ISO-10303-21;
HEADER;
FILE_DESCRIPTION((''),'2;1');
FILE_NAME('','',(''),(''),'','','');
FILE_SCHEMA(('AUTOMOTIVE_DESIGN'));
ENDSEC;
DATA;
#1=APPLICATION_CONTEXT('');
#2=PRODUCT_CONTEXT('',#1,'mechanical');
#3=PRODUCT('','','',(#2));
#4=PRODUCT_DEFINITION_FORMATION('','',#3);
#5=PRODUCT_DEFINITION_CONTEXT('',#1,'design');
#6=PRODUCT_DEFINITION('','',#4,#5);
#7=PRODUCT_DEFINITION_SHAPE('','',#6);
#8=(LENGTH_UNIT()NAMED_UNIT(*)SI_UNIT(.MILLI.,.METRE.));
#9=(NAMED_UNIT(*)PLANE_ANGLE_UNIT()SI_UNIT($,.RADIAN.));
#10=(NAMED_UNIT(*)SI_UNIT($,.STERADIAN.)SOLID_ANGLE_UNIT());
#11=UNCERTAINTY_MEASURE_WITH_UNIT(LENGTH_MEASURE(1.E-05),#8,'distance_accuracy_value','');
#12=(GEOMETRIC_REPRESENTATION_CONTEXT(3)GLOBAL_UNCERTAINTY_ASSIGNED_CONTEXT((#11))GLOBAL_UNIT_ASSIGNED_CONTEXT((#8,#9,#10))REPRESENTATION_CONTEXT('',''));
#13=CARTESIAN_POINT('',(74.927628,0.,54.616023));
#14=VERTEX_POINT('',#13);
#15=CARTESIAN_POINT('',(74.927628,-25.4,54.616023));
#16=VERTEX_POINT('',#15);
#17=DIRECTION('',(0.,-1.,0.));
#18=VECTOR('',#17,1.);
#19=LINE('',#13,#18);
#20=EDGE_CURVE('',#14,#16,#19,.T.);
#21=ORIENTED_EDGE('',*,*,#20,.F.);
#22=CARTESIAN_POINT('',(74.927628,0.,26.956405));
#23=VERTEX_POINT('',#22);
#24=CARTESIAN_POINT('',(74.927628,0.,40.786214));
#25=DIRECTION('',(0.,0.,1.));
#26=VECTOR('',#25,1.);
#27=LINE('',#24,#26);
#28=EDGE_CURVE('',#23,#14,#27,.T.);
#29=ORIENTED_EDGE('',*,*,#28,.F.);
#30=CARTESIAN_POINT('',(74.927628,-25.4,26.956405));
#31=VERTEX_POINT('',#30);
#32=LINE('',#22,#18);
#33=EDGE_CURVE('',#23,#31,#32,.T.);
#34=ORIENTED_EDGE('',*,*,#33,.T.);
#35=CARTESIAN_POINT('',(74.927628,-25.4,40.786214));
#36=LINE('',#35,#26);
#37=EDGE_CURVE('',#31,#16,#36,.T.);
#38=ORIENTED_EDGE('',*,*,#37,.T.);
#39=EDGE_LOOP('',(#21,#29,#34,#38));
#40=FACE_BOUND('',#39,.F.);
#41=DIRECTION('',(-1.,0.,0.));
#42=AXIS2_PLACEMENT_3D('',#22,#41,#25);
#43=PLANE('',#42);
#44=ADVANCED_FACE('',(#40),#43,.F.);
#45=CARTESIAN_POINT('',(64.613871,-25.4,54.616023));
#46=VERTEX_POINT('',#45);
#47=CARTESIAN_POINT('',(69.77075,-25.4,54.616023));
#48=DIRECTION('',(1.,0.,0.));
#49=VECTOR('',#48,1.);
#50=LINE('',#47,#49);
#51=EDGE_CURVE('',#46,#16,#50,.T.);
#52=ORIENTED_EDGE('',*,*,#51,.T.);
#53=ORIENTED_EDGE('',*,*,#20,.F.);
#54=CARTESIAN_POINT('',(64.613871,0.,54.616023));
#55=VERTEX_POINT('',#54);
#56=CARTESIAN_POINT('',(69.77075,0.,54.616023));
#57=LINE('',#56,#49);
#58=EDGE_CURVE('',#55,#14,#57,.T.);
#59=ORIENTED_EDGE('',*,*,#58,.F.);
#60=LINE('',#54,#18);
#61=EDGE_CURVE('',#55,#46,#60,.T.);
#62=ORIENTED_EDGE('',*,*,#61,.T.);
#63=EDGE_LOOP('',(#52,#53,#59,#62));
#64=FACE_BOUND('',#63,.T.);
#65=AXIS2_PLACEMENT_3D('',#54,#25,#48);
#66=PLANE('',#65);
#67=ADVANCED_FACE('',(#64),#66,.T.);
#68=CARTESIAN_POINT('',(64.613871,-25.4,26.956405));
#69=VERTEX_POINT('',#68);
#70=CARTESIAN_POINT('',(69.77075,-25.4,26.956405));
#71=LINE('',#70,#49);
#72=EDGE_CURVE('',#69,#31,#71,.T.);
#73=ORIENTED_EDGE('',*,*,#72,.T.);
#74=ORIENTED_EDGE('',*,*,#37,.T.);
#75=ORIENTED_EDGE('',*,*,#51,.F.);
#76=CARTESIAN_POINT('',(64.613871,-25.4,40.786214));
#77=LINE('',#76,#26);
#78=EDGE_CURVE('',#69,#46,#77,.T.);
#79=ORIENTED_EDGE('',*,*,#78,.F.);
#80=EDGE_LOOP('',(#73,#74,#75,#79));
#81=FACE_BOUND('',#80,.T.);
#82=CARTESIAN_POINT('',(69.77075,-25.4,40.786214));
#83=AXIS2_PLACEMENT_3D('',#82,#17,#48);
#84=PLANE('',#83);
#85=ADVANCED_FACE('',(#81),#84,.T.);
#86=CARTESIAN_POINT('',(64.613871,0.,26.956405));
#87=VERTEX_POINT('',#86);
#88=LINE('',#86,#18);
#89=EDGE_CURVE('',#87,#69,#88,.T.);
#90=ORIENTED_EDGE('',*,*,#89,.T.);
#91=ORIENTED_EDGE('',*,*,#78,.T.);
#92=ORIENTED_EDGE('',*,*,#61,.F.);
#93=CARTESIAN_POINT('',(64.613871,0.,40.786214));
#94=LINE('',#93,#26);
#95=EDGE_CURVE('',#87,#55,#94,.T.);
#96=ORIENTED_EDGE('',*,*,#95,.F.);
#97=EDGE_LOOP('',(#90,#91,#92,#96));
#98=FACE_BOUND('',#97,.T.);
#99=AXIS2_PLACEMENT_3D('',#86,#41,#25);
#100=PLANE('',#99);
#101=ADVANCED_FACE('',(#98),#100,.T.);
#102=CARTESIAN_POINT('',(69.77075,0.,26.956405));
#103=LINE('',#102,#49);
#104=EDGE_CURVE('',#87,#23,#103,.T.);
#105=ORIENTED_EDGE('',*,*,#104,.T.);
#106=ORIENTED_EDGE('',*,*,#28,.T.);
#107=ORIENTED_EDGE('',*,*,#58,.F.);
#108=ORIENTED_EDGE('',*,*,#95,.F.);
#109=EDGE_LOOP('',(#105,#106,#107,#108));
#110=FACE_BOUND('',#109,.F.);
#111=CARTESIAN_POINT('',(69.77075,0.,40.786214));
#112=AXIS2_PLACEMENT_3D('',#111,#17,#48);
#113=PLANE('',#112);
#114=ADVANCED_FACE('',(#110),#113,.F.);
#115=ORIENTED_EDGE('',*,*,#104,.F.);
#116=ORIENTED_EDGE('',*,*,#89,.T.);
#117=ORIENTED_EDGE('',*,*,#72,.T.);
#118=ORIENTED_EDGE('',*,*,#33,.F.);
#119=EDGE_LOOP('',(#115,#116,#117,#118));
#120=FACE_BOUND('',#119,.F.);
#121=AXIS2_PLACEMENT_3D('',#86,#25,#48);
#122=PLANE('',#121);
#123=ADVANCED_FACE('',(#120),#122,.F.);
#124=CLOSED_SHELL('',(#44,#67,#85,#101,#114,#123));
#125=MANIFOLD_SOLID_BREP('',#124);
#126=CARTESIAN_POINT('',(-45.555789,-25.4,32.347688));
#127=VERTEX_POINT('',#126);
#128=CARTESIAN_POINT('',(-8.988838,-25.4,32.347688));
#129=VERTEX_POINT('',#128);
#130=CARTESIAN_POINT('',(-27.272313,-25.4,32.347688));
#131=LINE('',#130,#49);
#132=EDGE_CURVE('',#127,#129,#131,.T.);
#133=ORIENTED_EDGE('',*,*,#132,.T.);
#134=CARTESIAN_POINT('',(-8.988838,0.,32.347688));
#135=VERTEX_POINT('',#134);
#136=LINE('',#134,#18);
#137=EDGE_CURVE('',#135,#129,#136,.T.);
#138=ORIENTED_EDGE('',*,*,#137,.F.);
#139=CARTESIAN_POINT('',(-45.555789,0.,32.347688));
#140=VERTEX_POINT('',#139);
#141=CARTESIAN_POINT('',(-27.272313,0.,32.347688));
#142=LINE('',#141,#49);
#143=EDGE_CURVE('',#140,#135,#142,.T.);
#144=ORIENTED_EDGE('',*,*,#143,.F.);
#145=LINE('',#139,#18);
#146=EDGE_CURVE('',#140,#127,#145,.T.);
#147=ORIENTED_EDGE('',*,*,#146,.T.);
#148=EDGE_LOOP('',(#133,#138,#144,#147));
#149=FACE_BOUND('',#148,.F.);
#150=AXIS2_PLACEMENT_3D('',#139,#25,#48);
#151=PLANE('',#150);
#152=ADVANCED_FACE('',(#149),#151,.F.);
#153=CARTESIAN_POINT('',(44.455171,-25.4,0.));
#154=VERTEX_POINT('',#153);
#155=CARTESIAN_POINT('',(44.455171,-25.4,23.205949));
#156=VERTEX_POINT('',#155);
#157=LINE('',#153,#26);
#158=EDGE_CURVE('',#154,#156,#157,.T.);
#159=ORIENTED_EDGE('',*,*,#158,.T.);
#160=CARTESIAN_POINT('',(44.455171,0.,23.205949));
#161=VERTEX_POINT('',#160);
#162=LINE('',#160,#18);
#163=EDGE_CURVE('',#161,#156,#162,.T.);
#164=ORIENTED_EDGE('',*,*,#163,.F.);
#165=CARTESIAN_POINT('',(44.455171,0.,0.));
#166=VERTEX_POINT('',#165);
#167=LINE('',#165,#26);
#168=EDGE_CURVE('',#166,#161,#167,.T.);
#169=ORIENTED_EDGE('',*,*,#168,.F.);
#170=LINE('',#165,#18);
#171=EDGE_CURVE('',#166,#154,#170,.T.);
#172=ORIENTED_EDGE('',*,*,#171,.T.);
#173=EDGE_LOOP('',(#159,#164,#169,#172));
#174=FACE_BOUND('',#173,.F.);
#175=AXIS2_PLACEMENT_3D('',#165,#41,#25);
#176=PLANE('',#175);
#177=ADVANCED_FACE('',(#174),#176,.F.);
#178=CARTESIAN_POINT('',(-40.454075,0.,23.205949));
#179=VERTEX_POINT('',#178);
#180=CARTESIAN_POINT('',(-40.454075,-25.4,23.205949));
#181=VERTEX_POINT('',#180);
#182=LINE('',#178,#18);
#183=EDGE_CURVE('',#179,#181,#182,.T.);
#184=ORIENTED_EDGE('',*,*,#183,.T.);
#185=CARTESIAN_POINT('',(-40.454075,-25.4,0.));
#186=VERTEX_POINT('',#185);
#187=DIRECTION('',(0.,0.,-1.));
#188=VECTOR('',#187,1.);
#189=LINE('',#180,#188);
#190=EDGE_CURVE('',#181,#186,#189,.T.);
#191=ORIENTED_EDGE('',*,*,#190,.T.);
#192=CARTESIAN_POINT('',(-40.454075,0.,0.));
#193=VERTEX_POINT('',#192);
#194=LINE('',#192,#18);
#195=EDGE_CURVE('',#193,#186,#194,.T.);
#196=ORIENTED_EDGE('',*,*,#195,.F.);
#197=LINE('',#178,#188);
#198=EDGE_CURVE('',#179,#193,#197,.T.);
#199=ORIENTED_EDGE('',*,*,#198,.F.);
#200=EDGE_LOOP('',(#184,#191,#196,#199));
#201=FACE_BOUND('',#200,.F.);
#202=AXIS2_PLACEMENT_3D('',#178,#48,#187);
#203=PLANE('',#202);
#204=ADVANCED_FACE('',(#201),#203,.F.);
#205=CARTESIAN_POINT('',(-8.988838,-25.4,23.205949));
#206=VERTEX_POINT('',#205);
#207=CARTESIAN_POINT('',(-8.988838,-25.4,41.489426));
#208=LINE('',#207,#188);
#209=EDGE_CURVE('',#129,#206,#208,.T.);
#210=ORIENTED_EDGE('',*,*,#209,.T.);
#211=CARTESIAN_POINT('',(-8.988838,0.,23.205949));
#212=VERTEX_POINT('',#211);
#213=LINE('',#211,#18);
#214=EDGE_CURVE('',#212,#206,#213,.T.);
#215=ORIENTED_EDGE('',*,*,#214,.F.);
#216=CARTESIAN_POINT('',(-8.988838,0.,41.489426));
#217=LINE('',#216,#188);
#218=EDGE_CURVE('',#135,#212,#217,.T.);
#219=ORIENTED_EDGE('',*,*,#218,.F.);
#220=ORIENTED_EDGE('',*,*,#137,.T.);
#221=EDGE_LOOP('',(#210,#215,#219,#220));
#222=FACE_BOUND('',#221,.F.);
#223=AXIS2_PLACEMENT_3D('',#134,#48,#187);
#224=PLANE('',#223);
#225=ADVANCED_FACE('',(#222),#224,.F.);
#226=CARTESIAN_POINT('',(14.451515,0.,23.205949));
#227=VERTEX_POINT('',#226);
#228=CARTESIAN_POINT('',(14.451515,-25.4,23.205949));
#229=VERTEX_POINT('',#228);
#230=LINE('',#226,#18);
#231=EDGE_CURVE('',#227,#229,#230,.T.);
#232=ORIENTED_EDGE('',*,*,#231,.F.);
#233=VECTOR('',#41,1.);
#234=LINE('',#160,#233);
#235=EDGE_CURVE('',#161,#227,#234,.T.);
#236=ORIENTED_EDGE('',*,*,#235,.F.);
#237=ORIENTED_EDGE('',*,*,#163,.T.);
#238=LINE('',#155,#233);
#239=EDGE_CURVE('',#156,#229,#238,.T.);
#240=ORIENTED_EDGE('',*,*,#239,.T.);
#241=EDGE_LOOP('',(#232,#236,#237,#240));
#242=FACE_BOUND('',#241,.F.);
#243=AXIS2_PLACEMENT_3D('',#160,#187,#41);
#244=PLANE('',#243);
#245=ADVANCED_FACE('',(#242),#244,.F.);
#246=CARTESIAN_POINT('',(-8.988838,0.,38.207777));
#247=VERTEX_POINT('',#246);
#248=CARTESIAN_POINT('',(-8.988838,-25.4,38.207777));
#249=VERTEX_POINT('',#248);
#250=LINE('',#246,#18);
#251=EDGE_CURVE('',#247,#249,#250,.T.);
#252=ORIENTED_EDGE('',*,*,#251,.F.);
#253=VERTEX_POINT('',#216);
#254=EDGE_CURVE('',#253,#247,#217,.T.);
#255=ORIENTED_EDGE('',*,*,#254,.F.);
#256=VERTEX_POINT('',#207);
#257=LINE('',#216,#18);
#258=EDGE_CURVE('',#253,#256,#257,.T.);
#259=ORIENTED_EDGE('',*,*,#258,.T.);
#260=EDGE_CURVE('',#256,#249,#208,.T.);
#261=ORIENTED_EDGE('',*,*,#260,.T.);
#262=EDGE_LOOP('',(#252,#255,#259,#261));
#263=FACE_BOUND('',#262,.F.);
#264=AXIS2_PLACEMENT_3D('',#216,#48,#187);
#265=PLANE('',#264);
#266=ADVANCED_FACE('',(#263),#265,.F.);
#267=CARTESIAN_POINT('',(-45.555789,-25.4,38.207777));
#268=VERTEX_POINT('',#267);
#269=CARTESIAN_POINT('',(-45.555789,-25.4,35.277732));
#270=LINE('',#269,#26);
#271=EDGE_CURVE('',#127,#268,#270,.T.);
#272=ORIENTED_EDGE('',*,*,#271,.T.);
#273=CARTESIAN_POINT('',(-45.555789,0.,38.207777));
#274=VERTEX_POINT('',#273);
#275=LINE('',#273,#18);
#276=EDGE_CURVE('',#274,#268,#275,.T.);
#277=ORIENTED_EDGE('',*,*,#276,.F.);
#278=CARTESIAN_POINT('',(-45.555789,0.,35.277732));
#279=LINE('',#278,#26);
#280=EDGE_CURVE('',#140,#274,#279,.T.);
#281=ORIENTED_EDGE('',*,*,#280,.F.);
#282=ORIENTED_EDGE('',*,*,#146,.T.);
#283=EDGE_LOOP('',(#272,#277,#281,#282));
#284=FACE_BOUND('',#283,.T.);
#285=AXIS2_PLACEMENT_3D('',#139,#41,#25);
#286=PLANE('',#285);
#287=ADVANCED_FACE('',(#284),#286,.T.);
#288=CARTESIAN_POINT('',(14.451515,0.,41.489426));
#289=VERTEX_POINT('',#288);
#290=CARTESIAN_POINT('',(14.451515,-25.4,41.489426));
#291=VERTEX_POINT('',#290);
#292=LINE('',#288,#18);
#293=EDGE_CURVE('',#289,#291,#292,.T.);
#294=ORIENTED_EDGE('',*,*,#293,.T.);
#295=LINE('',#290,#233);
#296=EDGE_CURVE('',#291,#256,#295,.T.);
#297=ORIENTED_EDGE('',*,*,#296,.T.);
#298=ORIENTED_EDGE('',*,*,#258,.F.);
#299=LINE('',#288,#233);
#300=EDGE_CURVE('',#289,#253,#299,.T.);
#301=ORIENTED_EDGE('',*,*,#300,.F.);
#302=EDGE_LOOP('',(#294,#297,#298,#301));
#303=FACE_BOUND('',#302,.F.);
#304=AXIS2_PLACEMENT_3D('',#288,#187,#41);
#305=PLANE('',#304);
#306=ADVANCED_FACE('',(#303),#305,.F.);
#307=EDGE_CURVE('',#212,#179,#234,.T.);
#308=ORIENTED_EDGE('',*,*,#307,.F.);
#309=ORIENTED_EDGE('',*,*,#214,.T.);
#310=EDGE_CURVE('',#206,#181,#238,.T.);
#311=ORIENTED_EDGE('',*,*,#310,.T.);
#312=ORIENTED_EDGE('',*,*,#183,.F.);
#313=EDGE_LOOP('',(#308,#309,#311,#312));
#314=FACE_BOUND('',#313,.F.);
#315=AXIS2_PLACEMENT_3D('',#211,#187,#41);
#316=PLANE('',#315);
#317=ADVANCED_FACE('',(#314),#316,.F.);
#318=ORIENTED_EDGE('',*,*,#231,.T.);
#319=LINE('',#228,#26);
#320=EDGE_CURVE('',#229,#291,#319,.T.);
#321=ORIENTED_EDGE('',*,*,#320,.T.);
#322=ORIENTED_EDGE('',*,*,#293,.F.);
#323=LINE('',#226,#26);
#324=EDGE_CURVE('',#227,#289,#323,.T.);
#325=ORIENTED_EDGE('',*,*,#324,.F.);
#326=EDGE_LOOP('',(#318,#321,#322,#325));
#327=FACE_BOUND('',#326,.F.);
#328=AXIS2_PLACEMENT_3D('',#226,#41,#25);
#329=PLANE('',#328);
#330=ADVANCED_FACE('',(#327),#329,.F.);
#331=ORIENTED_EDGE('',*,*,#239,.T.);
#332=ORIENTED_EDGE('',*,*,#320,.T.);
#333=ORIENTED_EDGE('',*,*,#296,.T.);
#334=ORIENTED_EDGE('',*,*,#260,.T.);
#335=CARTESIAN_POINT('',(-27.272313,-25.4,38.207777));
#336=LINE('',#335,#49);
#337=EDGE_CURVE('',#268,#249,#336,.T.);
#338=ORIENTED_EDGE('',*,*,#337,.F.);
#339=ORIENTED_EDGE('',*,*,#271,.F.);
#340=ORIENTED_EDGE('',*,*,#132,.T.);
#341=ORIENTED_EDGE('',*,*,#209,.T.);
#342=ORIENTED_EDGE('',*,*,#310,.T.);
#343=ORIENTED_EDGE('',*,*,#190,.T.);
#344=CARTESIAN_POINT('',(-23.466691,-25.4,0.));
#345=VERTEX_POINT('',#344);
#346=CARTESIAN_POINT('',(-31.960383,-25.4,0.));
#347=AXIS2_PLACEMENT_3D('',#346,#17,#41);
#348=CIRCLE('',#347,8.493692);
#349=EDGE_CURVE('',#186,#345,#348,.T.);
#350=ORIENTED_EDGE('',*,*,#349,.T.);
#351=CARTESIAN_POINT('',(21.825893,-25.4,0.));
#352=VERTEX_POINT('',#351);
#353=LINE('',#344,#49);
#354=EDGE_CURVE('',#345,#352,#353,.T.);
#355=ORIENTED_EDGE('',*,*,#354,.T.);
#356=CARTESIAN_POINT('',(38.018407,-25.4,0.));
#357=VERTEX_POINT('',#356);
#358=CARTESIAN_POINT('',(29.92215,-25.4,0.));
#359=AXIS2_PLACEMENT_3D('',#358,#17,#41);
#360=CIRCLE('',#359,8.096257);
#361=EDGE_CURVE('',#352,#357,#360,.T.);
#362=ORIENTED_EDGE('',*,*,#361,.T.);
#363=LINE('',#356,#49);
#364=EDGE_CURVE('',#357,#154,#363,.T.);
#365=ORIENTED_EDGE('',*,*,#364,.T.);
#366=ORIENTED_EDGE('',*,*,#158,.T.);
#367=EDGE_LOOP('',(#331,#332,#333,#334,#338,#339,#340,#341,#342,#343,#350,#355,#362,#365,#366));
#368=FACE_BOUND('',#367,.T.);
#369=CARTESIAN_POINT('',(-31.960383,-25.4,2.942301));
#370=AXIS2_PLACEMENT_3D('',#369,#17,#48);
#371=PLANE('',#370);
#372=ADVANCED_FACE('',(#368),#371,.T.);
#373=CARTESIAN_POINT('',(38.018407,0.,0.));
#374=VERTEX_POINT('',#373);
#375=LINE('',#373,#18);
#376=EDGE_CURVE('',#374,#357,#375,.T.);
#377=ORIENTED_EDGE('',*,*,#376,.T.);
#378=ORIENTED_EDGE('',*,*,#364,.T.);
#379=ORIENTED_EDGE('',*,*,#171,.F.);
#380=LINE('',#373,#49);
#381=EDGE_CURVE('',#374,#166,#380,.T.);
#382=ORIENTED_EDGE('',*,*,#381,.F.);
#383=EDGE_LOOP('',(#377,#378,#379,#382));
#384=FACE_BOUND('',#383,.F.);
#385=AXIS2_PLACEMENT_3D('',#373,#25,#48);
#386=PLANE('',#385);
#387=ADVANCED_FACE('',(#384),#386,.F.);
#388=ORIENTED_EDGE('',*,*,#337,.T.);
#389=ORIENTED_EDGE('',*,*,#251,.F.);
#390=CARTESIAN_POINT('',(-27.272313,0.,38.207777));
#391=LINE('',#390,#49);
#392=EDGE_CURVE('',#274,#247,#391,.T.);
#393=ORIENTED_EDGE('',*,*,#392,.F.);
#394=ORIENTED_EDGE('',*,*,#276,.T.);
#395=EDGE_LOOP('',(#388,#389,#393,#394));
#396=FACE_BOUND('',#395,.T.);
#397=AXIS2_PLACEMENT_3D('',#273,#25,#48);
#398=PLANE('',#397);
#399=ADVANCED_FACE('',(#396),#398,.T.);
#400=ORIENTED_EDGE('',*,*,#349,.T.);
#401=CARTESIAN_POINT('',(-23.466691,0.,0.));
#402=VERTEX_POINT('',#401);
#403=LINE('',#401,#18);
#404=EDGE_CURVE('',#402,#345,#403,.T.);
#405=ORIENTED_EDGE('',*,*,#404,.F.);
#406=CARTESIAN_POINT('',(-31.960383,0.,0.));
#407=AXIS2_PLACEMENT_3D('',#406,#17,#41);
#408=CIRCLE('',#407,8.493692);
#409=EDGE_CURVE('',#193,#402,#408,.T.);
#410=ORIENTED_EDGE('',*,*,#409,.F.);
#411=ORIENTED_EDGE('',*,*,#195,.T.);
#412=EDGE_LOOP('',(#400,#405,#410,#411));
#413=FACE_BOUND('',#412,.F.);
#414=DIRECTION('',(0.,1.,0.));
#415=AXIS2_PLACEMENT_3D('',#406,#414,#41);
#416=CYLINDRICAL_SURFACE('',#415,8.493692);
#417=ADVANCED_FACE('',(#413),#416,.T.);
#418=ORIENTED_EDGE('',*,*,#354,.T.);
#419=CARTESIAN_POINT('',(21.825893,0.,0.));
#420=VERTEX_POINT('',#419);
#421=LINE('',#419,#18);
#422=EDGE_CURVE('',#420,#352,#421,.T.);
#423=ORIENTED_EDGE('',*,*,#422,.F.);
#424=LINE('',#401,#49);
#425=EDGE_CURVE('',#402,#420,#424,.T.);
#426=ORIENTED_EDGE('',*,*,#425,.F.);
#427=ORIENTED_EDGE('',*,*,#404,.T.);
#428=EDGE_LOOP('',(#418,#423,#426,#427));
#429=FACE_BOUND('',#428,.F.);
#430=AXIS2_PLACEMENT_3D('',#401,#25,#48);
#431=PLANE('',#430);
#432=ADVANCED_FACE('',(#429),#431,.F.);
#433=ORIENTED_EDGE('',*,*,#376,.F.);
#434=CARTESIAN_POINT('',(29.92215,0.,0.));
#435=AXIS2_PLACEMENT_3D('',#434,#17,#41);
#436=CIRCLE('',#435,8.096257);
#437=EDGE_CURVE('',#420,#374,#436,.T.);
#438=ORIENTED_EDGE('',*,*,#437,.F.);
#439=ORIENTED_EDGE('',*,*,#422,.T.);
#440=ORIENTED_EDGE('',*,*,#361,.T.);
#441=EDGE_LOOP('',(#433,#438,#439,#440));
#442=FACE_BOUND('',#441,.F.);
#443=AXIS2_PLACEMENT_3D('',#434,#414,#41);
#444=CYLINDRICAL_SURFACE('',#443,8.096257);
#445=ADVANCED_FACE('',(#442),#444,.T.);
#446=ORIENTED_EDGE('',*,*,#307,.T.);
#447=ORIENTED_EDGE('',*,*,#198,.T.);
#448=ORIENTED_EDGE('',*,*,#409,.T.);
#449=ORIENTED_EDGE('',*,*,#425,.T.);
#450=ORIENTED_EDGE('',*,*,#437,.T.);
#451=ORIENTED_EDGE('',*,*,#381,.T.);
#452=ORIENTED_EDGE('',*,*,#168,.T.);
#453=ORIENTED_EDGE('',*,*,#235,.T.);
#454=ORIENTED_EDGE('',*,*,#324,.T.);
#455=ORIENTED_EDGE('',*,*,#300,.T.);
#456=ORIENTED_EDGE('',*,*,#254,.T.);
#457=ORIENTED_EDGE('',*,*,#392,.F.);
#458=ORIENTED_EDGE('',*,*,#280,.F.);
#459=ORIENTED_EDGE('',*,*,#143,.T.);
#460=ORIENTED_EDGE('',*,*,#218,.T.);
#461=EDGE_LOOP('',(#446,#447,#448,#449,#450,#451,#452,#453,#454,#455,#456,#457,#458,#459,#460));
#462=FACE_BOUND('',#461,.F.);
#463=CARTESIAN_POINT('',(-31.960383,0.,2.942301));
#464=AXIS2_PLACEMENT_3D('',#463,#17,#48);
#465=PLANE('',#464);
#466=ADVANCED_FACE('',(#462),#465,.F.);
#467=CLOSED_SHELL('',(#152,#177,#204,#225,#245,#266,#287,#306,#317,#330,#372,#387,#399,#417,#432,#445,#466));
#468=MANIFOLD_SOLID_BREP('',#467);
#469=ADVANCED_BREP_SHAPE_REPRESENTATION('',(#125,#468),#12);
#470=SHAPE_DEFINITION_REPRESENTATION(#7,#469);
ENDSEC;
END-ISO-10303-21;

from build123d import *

# Parameters (mm, degrees)
F0_W     = 36.5669513121
F0_H     = 5.8600893244
F1_DEPTH = 25.4
F0_W_2   = 10.3137567639
F0_H_2   = 27.6596173644


with BuildPart() as f1:
    # F0 (on Front) → F1 (new body)
    with BuildSketch(Plane.XZ):
        with BuildLine():
            Line((-40.4540751946, 0), (-23.4666909206, 0))
            ThreePointArc((-23.4666909206, 0), (-31.9603830576, 8.493692137), (-40.4540751946, 0))
        make_face()
        with BuildLine():
            ThreePointArc((-40.4540751946, 0), (-31.9603830576, -8.493692137), (-23.4666909206, 0))
            Line((-23.4666909206, 0), (-40.4540751946, 0))
        make_face()
        with BuildLine():
            ThreePointArc((-40.4540751946, 0), (-31.9603830576, 8.493692137), (-23.4666909206, 0))
            Line((-23.4666909206, 0), (21.8258932433, 0))
            ThreePointArc((21.8258932433, 0), (29.9221500754, 8.0962568321), (38.0184069076, 0))
            Line((38.0184069076, 0), (44.4551706314, 0))
            Line((44.4551706314, 0), (44.4551706314, 23.2059489936))
            Line((44.4551706314, 23.2059489936), (14.4515149295, 23.2059489936))
            Line((14.4515149295, 23.2059489936), (-8.9888377115, 23.2059489936))
            Line((-8.9888377115, 23.2059489936), (-16.4897497743, 23.2059489936))
            Line((-16.4897497743, 23.2059489936), (-40.4540751946, 23.2059489936))
            Line((-40.4540751946, 23.2059489936), (-40.4540751946, 0))
        make_face()
        with BuildLine():
            Line((38.0184069076, 0), (21.8258932433, 0))
            ThreePointArc((21.8258932433, 0), (29.9221500754, -8.0962568321), (38.0184069076, 0))
        make_face()
        with BuildLine():
            ThreePointArc((38.0184069076, 0), (29.9221500754, 8.0962568321), (21.8258932433, 0))
            Line((21.8258932433, 0), (38.0184069076, 0))
        make_face()
        Polygon((-8.9888377115, 32.3476875201), (-8.9888377115, 23.2059489936), (14.4515149295, 23.2059489936), (14.4515149295, 41.4894260466), (-8.9888377115, 41.4894260466), (-8.9888377115, 38.2077768445), align=None)
        with Locations((-27.2723133676, 35.2777321823)):
            Rectangle(F0_W, F0_H)
    extrude(amount=F1_DEPTH)


with BuildPart() as f1b:
    # F0 (on Front) → F1, piece 2 (new body)
    with BuildSketch(Plane.XZ):
        with Locations((69.7707496583, 40.7862141728)):
            Rectangle(F0_W_2, F0_H_2)
    extrude(amount=F1_DEPTH)


solid = Compound([f1.part, f1b.part])
